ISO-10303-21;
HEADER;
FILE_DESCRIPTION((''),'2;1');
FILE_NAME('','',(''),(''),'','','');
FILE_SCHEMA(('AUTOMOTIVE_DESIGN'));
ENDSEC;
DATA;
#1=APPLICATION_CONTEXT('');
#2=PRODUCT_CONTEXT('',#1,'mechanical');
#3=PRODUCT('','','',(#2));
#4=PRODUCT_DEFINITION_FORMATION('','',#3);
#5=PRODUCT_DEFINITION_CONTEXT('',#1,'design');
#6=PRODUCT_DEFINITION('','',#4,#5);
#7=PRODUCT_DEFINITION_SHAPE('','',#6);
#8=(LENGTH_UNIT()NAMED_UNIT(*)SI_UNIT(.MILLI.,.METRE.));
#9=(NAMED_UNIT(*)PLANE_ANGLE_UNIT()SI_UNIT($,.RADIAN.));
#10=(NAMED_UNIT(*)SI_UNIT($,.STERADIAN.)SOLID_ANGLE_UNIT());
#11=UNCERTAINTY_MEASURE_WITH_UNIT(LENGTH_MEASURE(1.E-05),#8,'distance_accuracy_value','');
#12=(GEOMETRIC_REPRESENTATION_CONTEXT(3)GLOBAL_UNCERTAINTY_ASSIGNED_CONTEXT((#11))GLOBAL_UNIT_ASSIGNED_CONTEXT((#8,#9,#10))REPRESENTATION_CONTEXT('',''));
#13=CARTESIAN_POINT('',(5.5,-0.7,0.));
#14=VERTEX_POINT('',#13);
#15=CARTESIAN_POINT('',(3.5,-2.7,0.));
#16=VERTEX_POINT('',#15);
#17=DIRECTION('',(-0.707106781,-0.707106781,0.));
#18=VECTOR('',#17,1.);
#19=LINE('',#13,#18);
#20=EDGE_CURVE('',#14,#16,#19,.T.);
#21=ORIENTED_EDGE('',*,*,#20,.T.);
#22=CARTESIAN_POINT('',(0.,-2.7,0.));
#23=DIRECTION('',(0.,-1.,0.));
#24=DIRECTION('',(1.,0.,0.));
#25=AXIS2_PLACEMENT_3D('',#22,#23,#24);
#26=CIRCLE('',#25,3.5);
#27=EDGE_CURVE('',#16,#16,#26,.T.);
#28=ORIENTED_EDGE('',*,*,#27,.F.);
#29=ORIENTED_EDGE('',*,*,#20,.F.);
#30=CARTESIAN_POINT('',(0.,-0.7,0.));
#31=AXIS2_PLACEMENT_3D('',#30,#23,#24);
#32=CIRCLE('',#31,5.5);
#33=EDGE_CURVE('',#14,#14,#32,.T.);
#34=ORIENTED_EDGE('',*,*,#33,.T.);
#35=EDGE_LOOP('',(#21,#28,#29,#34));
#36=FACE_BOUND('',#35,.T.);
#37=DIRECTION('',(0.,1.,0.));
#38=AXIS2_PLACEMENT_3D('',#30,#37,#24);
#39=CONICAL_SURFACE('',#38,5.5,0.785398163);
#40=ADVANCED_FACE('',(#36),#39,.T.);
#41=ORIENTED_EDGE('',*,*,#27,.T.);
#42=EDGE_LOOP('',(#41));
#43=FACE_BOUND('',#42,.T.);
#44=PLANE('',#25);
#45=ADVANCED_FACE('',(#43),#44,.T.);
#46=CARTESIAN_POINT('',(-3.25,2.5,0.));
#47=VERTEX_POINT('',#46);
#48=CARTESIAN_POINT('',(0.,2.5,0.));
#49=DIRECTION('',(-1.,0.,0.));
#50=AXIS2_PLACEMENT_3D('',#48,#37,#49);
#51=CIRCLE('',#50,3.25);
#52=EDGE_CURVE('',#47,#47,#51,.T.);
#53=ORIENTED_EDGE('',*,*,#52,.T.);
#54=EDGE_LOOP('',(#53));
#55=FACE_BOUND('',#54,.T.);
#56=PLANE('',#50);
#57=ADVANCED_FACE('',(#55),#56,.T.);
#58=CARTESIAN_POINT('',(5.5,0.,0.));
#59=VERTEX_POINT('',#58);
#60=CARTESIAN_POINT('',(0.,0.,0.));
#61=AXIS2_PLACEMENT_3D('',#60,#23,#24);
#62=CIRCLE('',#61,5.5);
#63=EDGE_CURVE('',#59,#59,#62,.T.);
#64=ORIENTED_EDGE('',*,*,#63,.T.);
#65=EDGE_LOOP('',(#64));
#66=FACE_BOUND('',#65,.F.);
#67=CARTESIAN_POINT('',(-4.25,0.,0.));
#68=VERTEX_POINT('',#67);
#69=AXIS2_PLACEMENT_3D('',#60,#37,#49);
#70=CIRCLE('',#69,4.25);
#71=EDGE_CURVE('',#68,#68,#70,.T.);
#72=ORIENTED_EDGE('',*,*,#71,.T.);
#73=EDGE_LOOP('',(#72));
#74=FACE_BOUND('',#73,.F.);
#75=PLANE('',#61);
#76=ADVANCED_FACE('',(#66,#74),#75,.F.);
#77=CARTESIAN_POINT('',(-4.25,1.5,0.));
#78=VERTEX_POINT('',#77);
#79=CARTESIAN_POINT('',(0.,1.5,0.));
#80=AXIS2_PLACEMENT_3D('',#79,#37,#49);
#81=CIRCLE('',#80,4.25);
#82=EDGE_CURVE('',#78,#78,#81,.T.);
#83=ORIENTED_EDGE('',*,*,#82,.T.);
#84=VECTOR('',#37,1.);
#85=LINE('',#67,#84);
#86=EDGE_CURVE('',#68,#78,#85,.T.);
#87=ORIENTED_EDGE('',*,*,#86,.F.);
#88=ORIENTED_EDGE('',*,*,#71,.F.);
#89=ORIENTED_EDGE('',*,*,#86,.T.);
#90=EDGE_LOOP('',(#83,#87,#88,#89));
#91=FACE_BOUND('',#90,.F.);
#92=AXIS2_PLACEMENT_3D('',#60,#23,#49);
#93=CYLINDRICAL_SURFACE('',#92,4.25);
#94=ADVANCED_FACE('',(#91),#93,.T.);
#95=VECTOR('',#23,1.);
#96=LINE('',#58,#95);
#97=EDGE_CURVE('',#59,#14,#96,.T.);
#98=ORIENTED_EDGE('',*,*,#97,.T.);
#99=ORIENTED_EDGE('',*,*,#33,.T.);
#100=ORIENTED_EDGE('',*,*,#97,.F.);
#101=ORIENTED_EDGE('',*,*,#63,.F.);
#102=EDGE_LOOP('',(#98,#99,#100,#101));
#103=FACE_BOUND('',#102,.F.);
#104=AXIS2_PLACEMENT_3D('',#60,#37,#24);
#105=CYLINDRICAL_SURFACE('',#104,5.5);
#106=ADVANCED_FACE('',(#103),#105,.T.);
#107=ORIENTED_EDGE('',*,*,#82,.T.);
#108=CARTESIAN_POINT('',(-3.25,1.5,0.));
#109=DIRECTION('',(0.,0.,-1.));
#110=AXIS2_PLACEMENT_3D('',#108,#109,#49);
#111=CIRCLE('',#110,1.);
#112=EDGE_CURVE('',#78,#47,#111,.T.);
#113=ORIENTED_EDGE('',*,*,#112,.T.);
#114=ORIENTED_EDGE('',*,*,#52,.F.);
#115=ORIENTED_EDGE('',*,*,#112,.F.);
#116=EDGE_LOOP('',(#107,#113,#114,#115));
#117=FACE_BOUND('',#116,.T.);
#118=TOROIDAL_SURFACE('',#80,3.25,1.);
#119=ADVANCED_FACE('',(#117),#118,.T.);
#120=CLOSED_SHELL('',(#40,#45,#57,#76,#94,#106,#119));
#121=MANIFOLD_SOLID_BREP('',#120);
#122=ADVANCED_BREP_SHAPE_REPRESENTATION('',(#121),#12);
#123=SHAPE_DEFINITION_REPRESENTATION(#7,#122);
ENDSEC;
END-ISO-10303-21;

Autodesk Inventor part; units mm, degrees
ref_plane "YZ Plane" through (0, 0, 0) normal (1, 0, 0) x (0, 1, 0)
ref_plane "XZ Plane" through (0, 0, 0) normal (0, 1, 0) x (-1, 0, 0)
ref_plane "XY Plane" through (0, 0, 0) normal (0, 0, 1) x (1, 0, 0)
sketch "Sketch1" plane through (0, 0, 0) normal (0, 1, 0) x (-1, 0, 0)
  circle A0 centre (0, 0) radius 4.25
  dimension "d0" = 8.5
extrude "Extrusion1" add sketch "Sketch1" along normal blind 2.5
sketch "Sketch2" plane through (0, 0, 0) normal (0, -1, 0) x (1, 0, 0)
  circle A0 centre (0, 0) radius 5.5
  dimension "d3" = 11
extrude "Extrusion2" add sketch "Sketch2" along normal blind 2.7
fillet "Fillet1" radius 1 1 edges at (4.25, 2.5, 0)
chamfer "Chamfer1" distance 2 angle 45 1 edges at (-5.5, -2.7, 0)
properties part number "button_round_3DPrint"
